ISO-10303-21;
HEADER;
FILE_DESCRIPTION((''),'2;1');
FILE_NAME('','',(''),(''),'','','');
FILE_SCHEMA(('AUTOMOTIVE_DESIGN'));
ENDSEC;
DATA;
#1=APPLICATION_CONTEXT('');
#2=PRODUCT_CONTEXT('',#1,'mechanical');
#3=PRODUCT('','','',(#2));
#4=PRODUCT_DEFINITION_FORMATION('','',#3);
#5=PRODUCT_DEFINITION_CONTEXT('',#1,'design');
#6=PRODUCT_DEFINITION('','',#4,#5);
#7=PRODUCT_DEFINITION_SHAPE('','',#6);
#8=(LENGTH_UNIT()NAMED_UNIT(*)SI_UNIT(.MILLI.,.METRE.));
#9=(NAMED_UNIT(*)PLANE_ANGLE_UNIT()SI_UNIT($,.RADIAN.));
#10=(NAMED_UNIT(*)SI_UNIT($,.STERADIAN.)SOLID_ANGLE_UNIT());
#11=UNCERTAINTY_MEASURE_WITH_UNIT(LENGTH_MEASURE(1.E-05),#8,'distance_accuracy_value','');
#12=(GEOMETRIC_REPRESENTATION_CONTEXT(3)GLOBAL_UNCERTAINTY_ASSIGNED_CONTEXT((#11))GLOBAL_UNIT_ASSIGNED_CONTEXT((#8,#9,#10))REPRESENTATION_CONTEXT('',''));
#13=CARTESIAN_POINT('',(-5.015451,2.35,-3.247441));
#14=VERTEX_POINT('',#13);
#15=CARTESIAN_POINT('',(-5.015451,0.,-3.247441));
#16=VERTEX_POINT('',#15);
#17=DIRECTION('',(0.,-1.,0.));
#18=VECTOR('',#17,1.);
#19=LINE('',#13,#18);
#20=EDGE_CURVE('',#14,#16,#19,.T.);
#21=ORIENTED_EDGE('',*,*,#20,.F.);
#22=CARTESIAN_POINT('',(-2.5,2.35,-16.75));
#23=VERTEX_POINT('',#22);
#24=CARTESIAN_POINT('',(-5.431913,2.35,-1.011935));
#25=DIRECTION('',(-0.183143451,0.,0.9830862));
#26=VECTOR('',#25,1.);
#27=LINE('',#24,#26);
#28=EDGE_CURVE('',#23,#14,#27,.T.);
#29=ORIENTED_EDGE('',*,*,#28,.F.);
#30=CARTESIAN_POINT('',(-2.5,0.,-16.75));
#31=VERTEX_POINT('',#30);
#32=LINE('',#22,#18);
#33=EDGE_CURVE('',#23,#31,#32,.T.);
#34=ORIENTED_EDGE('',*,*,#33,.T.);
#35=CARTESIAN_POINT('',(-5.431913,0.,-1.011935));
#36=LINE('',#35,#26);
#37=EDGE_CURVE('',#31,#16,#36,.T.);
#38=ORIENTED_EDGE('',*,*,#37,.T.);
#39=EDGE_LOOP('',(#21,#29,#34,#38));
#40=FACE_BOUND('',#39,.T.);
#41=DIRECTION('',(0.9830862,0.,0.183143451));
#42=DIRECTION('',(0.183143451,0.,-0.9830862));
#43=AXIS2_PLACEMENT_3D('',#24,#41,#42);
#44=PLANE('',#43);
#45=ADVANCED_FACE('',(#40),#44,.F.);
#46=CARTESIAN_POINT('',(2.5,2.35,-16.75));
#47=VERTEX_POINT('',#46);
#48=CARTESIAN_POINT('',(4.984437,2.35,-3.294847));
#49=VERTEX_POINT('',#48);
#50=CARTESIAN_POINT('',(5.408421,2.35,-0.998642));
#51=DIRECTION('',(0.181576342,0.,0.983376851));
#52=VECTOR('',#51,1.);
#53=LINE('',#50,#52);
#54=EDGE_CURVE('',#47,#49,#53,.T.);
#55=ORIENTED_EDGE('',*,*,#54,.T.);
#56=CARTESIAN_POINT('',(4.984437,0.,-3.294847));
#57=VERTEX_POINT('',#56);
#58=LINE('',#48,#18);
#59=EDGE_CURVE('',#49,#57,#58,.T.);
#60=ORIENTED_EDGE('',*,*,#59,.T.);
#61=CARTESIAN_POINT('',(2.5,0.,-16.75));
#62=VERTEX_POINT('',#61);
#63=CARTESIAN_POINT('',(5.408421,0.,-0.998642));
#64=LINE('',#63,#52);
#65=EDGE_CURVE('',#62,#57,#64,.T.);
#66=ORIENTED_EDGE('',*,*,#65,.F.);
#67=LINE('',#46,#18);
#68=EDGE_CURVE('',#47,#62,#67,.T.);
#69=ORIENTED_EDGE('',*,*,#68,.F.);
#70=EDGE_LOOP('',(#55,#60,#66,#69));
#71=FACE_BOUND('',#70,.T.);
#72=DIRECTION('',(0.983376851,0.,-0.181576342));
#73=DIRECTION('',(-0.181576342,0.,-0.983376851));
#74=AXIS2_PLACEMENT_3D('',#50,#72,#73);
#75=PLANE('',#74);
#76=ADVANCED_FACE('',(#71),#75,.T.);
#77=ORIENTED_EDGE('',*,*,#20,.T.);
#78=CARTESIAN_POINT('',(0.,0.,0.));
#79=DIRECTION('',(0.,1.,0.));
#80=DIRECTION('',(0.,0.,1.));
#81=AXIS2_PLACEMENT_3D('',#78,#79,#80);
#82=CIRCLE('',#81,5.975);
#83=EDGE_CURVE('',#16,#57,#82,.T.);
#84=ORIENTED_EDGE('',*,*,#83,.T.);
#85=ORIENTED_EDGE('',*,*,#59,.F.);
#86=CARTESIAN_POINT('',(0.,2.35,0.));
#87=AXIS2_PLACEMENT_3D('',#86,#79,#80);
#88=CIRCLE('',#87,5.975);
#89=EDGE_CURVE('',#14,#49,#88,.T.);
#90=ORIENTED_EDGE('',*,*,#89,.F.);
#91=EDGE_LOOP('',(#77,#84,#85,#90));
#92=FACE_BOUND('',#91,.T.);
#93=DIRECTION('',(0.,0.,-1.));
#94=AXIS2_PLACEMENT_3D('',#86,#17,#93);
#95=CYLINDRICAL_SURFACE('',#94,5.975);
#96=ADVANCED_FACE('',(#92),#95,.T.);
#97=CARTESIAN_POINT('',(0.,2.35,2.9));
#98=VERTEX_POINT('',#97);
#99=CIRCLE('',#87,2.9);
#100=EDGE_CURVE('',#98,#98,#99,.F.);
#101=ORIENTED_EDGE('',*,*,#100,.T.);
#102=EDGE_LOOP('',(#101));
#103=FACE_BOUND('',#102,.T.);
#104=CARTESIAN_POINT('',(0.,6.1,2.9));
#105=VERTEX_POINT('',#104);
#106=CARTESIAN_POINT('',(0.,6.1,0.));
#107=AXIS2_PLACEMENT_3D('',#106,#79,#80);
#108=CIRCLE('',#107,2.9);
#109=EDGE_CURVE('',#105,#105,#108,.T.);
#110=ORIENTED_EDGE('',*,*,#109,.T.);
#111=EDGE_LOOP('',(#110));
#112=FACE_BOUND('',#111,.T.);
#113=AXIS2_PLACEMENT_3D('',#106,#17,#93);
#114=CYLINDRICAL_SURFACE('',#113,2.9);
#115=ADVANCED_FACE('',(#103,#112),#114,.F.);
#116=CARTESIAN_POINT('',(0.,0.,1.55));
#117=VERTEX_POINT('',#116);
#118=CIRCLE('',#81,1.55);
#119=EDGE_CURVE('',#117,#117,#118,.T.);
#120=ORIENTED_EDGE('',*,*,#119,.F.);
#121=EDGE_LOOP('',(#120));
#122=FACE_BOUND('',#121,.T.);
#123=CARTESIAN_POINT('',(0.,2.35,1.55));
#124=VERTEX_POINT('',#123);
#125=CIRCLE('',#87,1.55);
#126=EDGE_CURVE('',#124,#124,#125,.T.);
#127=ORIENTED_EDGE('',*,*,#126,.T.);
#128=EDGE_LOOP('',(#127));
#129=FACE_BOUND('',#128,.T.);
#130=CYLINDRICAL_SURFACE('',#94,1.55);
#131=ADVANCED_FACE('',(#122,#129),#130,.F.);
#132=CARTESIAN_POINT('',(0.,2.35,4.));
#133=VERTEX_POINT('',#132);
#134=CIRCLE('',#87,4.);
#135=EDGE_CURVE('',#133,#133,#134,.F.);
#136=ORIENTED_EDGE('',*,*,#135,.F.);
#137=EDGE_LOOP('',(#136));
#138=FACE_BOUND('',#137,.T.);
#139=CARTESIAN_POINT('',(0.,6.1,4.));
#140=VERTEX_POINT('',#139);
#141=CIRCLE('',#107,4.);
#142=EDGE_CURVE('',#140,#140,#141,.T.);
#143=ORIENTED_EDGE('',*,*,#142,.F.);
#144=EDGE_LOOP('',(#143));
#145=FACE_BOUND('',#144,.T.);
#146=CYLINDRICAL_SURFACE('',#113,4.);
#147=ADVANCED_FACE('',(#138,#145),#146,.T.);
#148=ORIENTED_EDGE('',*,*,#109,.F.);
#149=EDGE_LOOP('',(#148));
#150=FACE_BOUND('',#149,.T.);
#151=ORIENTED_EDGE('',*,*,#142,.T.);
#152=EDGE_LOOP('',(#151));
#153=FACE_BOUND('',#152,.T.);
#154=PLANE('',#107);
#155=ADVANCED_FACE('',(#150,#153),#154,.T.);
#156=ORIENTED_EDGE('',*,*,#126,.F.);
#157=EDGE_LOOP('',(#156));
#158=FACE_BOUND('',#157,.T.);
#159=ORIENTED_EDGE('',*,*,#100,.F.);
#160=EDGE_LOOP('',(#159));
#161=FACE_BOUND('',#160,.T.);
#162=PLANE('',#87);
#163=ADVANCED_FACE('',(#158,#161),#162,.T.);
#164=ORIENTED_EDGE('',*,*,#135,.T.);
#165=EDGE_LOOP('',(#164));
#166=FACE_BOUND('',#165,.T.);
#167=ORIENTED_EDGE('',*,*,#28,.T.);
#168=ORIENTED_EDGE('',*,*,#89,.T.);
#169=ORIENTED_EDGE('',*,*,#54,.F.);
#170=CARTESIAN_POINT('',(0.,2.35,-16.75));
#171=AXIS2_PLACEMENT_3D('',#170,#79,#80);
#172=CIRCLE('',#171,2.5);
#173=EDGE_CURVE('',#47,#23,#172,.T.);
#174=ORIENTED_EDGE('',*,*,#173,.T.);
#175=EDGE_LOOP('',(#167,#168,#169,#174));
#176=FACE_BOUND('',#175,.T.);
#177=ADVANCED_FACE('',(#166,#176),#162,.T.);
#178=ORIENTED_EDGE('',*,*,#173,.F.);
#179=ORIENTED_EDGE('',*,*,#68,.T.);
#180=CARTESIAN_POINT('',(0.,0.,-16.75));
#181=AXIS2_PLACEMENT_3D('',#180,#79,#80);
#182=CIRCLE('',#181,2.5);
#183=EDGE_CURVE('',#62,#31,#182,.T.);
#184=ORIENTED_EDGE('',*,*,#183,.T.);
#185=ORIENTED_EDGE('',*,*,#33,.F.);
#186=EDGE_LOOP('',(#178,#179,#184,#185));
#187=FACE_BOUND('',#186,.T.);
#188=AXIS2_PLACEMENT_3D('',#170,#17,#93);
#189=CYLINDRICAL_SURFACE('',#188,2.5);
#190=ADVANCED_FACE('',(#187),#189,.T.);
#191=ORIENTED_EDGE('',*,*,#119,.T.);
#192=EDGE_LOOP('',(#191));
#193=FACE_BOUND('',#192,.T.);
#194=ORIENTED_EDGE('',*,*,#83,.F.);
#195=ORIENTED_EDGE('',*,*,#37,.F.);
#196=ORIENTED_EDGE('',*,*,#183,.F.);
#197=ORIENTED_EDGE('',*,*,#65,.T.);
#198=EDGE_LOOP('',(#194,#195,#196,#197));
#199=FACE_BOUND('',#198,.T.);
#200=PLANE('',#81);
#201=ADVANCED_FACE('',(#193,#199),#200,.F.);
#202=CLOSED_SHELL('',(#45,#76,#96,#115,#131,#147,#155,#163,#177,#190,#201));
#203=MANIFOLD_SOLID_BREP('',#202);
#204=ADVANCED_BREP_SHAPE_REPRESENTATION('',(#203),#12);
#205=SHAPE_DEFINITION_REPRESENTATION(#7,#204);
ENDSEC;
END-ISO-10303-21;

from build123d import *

# Parameters (mm, degrees)
SKETCH1_R           = 1.55
BOSS_EXTRUDE1_DEPTH = 2.35
SKETCH1_3_R         = 4
SKETCH1_3_R_2       = 2.9
BOSS_EXTRUDE2_DEPTH = 6.1


with BuildPart() as part:
    # Sketch1 → Boss-Extrude1 (new body)
    with BuildSketch(Plane(origin=(0, 0, 0), x_dir=(1, 0, 0), z_dir=(0, 1, 0))):
        with BuildLine():
            Line((-2.5, 16.75), (-5.015451004, 3.247441489))
            ThreePointArc((-5.015451004, 3.247441489), (0.028324767, -5.974932862), (4.984436631, 3.294846957))
            Line((4.984436631, 3.294846957), (2.5, 16.75))
            ThreePointArc((2.5, 16.75), (0, 19.25), (-2.5, 16.75))
        make_face()
        Circle(SKETCH1_R, mode=Mode.SUBTRACT)
    extrude(amount=BOSS_EXTRUDE1_DEPTH)

    # Sketch1<3> → Boss-Extrude2 (add)
    with BuildSketch(Plane(origin=(0, 0, 0), x_dir=(1, 0, 0), z_dir=(0, 1, 0))):
        Circle(SKETCH1_3_R)
        Circle(SKETCH1_3_R_2, mode=Mode.SUBTRACT)
    extrude(amount=BOSS_EXTRUDE2_DEPTH)


solid = part.part
